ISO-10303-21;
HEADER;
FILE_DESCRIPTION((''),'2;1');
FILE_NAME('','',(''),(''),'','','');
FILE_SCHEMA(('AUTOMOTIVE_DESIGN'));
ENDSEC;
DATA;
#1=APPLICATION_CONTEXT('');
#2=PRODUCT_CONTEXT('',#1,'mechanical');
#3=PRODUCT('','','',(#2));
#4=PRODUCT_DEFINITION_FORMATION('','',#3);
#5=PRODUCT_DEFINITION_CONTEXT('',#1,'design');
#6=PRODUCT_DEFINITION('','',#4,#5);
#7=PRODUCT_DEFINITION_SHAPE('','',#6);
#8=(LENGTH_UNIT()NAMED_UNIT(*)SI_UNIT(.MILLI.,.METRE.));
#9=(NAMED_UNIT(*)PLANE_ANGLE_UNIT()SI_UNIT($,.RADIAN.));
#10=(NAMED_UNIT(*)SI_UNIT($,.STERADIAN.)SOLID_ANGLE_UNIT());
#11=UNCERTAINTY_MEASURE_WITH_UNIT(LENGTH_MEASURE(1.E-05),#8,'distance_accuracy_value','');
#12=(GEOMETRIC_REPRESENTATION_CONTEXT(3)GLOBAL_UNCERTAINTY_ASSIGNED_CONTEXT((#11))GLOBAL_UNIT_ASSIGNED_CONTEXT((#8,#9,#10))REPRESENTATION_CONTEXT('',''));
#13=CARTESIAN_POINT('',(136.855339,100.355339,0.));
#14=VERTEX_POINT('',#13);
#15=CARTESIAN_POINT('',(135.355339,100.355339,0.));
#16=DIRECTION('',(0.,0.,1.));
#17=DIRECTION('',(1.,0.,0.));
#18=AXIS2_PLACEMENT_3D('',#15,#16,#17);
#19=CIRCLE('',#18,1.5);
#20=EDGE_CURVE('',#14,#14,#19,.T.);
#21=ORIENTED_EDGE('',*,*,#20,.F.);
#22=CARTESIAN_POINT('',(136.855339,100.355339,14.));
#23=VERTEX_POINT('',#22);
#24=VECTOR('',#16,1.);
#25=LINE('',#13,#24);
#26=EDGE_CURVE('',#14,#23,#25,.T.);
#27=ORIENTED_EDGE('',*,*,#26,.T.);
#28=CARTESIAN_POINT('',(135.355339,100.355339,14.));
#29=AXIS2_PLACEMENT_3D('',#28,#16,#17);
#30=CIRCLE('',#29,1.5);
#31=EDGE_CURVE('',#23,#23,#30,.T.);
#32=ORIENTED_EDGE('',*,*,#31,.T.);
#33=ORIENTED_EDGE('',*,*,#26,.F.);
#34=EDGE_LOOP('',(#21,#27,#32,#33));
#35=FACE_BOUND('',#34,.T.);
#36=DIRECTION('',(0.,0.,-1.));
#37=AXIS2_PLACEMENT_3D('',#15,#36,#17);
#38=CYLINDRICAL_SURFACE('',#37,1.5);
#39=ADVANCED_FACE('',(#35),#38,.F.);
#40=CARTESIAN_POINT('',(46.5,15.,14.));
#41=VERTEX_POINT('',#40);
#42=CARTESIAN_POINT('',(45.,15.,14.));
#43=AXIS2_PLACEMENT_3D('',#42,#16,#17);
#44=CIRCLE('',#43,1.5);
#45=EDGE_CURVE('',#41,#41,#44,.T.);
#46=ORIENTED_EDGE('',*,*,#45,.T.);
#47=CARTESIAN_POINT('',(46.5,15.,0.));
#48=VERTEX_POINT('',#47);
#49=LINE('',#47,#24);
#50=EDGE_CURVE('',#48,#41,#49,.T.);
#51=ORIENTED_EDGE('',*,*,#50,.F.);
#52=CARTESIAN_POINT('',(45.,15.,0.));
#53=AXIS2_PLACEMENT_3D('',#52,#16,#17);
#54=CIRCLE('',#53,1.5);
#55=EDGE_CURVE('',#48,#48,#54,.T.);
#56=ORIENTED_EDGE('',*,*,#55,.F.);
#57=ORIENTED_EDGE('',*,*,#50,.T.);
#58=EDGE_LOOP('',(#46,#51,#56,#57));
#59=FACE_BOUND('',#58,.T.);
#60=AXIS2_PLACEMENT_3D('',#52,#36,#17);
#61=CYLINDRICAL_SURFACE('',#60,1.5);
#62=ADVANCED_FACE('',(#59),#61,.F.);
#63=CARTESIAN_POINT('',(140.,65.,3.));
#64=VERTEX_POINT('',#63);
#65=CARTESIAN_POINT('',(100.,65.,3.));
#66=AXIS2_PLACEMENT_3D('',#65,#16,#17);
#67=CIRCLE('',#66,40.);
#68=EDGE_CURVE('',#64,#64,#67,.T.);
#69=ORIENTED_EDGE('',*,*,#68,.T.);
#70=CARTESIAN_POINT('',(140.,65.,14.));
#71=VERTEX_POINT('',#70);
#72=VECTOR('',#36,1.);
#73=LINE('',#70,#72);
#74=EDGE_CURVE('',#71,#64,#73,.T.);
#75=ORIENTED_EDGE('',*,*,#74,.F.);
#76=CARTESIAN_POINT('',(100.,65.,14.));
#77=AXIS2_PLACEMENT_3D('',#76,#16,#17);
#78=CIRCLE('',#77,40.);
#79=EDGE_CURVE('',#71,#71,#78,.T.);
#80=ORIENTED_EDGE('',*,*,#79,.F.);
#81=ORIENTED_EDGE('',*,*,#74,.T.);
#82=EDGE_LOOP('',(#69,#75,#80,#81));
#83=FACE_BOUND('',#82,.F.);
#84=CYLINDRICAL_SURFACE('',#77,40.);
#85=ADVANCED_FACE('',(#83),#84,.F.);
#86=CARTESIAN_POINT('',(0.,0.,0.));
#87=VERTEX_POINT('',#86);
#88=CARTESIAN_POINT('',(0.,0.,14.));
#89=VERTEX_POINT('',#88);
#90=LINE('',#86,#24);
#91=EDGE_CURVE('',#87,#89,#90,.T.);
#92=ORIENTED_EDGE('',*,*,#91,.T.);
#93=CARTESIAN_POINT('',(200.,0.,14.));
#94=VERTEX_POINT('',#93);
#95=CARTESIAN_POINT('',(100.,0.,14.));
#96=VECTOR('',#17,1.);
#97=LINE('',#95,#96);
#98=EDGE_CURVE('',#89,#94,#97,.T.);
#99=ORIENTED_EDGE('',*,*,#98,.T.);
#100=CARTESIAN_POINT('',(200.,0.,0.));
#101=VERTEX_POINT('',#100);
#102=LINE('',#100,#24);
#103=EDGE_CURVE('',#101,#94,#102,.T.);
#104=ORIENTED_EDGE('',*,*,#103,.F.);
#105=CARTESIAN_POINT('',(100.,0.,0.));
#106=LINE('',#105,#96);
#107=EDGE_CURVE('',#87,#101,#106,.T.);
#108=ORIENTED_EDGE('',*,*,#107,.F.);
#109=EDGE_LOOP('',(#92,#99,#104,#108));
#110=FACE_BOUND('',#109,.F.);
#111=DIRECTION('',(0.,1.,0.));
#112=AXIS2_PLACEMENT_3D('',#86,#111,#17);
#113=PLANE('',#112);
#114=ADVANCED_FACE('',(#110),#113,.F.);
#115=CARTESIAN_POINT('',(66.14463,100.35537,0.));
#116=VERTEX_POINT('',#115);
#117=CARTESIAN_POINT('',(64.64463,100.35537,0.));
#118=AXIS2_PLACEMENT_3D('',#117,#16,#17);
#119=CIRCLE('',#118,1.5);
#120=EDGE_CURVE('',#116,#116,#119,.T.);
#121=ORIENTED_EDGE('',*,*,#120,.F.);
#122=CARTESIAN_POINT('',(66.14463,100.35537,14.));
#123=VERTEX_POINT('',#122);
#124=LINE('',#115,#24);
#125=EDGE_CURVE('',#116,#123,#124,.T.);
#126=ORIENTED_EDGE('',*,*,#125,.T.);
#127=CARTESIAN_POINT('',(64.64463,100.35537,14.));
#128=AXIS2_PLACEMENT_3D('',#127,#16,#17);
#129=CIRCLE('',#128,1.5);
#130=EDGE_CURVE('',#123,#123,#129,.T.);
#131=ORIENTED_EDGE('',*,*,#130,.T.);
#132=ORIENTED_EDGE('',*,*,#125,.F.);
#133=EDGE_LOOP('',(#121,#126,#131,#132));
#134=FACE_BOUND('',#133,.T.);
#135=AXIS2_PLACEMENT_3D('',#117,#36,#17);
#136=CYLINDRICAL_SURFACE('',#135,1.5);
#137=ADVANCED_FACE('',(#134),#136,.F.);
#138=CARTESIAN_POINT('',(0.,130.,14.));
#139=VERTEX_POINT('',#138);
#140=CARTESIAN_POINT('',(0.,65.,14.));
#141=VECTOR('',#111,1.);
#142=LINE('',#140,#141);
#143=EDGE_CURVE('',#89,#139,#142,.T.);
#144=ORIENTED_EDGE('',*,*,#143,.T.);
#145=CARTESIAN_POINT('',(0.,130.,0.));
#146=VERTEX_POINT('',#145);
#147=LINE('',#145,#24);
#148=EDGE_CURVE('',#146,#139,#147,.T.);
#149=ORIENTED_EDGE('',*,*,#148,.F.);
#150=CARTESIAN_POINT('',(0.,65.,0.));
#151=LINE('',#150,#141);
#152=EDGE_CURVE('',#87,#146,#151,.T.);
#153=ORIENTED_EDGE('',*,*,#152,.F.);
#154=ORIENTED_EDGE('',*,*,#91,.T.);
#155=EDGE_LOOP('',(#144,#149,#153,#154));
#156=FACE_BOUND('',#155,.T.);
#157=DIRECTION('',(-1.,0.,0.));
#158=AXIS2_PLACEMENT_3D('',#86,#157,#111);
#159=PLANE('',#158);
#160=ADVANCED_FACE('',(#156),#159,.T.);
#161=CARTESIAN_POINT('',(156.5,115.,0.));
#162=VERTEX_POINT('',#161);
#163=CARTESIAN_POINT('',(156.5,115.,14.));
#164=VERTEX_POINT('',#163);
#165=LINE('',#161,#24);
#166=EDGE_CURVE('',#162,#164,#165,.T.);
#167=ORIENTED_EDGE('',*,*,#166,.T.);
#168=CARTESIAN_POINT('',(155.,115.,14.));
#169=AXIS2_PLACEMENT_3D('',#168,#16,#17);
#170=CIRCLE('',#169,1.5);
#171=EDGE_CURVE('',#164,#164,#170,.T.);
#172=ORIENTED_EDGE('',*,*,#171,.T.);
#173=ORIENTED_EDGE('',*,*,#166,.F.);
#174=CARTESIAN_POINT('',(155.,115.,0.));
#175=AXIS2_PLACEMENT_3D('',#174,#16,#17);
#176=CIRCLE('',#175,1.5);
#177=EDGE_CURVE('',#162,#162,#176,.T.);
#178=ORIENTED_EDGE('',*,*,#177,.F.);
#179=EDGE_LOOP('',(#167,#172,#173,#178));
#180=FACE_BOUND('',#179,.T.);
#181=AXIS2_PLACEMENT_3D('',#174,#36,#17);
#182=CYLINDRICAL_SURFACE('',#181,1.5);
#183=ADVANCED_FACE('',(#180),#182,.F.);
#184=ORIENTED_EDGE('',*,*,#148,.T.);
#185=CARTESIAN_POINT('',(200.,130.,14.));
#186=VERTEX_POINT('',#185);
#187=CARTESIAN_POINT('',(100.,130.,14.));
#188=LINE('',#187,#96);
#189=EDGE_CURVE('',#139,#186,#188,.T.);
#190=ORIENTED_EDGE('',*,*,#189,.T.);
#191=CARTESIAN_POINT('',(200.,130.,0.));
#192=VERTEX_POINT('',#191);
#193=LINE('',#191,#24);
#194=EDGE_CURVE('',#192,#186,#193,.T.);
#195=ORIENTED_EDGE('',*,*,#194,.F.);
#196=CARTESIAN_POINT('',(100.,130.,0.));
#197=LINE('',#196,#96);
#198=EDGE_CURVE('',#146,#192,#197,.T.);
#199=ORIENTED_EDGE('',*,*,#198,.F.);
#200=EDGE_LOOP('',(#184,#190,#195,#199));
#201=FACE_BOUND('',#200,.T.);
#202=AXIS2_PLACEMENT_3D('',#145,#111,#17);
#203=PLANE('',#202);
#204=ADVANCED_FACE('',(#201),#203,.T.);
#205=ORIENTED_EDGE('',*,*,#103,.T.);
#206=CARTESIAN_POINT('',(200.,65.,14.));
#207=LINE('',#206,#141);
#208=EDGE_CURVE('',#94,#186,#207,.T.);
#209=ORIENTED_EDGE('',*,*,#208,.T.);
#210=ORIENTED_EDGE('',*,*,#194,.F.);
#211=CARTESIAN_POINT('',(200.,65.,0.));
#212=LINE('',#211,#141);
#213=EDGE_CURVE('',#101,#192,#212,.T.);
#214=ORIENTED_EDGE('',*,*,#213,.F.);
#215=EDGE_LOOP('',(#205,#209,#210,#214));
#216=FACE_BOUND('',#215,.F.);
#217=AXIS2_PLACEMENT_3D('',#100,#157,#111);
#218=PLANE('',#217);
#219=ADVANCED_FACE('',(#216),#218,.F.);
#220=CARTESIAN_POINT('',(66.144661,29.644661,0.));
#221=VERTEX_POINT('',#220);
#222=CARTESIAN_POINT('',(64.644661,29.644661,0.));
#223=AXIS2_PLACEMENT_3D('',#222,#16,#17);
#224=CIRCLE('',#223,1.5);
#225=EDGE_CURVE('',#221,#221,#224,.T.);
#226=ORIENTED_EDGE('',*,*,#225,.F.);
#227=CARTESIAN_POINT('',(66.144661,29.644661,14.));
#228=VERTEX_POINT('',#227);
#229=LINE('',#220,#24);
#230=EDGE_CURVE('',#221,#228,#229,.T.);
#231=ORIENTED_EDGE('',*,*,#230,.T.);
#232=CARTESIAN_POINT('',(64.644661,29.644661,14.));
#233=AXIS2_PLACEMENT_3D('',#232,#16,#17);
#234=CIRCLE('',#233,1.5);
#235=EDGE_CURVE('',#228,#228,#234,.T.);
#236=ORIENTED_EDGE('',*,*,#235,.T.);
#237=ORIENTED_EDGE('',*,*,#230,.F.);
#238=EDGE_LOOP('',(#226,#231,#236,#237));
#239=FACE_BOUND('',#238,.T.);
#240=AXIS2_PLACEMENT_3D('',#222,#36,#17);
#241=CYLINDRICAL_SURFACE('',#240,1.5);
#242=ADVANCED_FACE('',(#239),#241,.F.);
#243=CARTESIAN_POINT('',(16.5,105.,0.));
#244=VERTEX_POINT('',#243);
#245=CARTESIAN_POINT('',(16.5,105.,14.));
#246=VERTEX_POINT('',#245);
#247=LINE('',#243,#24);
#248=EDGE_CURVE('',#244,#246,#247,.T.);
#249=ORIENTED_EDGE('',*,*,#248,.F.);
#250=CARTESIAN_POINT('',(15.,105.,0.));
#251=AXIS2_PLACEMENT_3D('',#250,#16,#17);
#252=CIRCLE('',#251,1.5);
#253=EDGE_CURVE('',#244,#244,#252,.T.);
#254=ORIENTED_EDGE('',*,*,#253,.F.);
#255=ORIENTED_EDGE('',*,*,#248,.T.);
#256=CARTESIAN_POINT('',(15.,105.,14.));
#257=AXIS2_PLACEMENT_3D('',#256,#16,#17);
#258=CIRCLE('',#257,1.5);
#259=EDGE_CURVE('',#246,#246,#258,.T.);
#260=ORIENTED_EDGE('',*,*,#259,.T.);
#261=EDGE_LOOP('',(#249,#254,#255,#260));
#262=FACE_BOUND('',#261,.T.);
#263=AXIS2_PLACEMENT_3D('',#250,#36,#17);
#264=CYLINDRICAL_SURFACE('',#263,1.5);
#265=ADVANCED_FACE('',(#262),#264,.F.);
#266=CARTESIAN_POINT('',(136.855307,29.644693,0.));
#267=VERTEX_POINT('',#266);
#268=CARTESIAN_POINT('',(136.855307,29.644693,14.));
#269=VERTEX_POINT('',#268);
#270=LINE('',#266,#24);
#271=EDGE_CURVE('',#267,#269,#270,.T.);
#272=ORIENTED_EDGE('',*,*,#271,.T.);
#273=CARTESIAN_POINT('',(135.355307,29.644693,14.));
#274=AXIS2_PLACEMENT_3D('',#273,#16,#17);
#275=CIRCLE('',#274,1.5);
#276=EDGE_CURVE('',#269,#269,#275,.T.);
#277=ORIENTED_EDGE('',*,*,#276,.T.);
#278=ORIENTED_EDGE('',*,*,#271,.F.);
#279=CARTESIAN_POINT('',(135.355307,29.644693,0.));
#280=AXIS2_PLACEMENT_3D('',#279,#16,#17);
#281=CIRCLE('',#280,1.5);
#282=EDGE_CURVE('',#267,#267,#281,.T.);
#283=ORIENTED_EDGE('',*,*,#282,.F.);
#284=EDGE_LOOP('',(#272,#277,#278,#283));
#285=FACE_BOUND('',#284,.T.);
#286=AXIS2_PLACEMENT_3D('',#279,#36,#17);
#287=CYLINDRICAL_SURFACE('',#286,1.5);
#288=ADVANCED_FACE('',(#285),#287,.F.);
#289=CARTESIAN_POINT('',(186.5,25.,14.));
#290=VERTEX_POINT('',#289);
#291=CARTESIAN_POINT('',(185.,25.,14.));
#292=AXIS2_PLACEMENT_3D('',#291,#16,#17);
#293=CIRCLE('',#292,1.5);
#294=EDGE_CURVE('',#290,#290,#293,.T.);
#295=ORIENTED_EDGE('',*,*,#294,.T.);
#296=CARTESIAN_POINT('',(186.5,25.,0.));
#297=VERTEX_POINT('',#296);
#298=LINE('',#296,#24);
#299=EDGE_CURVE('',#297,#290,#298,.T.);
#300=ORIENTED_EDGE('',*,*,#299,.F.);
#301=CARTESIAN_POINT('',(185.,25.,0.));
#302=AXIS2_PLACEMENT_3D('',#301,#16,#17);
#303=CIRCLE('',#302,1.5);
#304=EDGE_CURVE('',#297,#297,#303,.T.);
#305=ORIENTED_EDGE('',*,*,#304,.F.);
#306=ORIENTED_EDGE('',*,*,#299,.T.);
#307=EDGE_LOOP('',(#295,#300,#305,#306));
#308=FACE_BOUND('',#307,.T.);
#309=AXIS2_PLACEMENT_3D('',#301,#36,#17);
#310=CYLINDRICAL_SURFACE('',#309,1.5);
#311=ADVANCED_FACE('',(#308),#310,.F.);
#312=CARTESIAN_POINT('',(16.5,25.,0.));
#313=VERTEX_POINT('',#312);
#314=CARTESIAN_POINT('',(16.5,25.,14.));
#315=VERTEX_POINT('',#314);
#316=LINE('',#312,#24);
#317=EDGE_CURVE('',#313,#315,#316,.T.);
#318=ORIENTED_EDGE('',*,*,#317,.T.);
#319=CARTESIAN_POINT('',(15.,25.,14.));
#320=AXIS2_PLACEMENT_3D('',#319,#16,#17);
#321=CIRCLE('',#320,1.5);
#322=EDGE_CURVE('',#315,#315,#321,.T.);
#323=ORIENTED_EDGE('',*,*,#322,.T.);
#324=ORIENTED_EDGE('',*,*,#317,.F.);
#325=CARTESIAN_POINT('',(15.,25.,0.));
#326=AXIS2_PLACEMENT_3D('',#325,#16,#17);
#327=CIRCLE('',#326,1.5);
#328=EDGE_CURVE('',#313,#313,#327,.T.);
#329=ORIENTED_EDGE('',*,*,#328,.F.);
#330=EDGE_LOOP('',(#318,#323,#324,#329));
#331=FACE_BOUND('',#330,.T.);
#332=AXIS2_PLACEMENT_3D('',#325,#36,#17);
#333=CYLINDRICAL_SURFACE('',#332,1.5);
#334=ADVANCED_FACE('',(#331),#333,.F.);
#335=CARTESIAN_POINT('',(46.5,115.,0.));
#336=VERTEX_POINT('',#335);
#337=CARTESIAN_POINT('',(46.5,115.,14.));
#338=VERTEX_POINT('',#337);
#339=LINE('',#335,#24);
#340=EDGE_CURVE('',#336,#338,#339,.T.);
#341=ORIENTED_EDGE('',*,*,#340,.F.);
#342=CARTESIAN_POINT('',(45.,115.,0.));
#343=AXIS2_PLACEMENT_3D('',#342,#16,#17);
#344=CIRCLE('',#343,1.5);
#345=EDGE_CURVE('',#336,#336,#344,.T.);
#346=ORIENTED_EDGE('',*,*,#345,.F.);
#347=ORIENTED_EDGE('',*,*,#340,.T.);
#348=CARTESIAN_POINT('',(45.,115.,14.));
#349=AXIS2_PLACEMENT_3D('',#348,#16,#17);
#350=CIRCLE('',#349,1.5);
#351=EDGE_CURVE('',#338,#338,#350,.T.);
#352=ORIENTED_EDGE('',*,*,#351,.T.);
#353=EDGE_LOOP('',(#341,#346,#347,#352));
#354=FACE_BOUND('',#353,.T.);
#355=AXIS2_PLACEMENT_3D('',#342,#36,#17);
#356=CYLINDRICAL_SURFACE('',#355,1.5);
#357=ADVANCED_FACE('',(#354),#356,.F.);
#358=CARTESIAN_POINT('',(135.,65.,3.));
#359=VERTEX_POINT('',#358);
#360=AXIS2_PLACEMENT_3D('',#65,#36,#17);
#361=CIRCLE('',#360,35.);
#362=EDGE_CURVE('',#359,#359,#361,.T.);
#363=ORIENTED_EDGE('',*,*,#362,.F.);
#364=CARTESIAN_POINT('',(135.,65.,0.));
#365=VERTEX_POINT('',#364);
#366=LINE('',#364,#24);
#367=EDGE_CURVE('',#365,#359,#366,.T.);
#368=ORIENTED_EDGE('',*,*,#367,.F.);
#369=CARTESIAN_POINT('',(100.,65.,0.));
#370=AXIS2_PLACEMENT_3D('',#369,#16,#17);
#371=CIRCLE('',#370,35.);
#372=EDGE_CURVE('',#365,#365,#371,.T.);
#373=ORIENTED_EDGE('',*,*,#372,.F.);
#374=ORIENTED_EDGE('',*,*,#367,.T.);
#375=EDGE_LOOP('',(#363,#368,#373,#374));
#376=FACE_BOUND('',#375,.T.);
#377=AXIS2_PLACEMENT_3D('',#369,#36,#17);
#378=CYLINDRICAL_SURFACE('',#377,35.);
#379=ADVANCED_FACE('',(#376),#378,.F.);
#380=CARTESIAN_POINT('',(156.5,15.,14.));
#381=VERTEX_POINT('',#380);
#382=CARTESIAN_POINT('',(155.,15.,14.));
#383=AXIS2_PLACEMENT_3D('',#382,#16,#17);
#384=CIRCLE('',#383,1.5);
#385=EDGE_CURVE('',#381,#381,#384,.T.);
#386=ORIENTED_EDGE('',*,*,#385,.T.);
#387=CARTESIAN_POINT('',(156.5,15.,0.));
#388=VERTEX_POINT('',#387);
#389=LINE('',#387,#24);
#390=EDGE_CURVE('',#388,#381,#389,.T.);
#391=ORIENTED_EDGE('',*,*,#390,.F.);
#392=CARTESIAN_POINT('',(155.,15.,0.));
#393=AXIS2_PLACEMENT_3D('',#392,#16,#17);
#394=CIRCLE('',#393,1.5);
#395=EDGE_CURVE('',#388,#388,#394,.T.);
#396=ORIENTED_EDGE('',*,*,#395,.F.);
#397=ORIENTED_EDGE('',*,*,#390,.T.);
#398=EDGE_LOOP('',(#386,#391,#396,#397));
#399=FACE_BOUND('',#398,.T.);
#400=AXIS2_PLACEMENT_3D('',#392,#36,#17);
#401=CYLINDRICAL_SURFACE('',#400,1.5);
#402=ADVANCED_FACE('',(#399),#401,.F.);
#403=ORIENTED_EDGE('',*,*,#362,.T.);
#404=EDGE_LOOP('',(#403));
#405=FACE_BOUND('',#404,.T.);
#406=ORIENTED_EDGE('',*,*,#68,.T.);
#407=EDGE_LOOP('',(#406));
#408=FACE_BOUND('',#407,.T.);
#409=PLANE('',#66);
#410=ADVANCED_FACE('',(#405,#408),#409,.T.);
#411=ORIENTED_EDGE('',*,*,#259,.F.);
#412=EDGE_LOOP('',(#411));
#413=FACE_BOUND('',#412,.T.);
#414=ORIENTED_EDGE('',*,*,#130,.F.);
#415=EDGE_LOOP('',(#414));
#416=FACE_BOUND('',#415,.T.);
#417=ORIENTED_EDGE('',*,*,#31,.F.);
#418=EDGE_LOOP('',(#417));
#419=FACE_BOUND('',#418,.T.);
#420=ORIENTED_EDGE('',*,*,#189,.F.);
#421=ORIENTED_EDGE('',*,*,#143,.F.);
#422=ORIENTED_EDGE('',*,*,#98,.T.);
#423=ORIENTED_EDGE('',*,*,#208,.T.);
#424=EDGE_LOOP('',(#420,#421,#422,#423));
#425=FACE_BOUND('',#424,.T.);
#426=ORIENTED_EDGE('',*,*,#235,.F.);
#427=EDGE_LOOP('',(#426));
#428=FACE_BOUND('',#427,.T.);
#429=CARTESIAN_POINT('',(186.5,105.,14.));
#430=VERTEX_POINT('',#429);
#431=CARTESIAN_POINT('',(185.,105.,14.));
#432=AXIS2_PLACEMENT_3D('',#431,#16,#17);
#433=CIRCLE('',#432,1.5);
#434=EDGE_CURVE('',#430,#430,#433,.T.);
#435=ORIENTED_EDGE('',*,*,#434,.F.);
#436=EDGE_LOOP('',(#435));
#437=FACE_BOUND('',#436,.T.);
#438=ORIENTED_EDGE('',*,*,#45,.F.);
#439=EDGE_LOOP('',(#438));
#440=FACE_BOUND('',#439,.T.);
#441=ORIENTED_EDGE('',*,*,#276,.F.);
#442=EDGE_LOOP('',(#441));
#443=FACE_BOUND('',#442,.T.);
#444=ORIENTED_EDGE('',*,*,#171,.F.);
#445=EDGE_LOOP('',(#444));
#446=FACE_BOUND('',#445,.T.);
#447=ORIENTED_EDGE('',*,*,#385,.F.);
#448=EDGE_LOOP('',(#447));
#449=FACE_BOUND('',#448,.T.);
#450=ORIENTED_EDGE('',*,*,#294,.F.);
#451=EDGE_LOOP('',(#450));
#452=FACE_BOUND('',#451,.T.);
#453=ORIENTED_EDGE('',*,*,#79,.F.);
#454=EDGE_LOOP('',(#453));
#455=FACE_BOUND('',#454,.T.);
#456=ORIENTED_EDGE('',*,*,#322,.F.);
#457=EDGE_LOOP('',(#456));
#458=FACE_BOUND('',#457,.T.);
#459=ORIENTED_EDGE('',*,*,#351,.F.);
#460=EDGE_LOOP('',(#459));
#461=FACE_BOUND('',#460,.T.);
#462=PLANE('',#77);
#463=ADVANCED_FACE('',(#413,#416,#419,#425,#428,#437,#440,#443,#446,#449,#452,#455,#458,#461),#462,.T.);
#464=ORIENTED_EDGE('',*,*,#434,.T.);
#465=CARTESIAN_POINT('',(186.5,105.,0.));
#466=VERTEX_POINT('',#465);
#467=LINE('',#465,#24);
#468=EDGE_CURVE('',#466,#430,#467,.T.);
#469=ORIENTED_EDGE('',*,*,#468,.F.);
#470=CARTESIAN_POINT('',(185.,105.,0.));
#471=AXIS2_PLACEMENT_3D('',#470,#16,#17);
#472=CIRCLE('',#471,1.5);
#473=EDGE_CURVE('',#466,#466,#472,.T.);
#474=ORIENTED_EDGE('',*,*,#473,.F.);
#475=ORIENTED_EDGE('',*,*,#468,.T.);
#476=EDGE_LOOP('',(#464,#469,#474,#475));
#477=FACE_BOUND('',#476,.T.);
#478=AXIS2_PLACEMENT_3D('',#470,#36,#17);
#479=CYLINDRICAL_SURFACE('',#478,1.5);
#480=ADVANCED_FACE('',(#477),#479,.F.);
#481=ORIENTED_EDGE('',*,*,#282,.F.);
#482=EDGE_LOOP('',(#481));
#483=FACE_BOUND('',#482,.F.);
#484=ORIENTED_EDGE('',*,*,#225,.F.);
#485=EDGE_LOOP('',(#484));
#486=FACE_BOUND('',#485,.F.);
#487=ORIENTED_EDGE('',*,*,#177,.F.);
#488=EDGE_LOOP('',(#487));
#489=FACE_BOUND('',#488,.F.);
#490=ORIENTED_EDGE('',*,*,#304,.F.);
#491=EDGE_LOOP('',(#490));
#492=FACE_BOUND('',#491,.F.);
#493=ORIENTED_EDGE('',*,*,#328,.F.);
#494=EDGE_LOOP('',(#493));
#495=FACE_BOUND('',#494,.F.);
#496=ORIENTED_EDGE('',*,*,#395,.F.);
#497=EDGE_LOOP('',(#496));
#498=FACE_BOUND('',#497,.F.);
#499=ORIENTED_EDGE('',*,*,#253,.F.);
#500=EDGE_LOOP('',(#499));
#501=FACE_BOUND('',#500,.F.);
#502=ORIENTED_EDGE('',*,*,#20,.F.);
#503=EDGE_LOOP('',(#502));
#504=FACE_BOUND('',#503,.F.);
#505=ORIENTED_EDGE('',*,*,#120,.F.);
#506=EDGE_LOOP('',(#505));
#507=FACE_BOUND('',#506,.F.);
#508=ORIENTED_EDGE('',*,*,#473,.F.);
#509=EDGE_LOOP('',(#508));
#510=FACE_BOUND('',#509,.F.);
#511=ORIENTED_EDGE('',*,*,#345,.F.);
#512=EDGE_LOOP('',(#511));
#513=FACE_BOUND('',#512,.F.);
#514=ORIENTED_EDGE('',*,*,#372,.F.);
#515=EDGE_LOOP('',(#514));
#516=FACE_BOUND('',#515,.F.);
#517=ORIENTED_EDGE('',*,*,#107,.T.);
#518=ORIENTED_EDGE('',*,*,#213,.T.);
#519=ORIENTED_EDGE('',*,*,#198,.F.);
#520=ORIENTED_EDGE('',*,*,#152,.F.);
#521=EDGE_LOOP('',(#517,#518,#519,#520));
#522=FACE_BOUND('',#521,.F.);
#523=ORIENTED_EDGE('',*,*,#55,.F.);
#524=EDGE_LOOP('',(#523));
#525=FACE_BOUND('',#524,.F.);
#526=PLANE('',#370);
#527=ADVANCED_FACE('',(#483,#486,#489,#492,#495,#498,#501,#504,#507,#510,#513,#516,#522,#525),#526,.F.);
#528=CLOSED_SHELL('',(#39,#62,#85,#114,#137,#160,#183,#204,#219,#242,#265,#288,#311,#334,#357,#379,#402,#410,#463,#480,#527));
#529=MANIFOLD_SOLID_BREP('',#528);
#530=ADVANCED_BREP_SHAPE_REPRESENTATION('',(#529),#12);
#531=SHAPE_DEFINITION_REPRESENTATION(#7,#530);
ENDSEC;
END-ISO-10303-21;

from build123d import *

# Parameters (mm, degrees)
SKETCH_W     = 200
SKETCH_H     = 130
SKETCH_R     = 35
SKETCH_R_2   = 1.5
PAD_DEPTH    = 14
SKETCH001_R  = 40
POCKET_DEPTH = 11


with BuildPart() as part:
    # Sketch → Pad (new body)
    with BuildSketch(Plane.XY):
        with Locations((100, 65)):
            Rectangle(SKETCH_W, SKETCH_H)
        with Locations((100, 65)):
            Circle(SKETCH_R, mode=Mode.SUBTRACT)
        with Locations((45, 115)):
            Circle(SKETCH_R_2, mode=Mode.SUBTRACT)
        with Locations((45, 15)):
            Circle(SKETCH_R_2, mode=Mode.SUBTRACT)
        with Locations((155, 115)):
            Circle(SKETCH_R_2, mode=Mode.SUBTRACT)
        with Locations((155, 15)):
            Circle(SKETCH_R_2, mode=Mode.SUBTRACT)
        with Locations((15, 105)):
            Circle(SKETCH_R_2, mode=Mode.SUBTRACT)
        with Locations((15, 25)):
            Circle(SKETCH_R_2, mode=Mode.SUBTRACT)
        with Locations((185, 105)):
            Circle(SKETCH_R_2, mode=Mode.SUBTRACT)
        with Locations((185, 25)):
            Circle(SKETCH_R_2, mode=Mode.SUBTRACT)
        with Locations((135.355339, 100.355339)):
            Circle(SKETCH_R_2, mode=Mode.SUBTRACT)
        with Locations((64.644661, 29.644661)):
            Circle(SKETCH_R_2, mode=Mode.SUBTRACT)
        with Locations((64.64463, 100.35537)):
            Circle(SKETCH_R_2, mode=Mode.SUBTRACT)
        with Locations((135.355307, 29.644693)):
            Circle(SKETCH_R_2, mode=Mode.SUBTRACT)
    extrude(amount=PAD_DEPTH)

    # Sketch001 (on Face19 of Pad) → Pocket (cut)
    with BuildSketch(Plane.XY.offset(14)):
        with Locations((100, 65)):
            Circle(SKETCH001_R)
    extrude(amount=-POCKET_DEPTH, mode=Mode.SUBTRACT)


solid = part.part
